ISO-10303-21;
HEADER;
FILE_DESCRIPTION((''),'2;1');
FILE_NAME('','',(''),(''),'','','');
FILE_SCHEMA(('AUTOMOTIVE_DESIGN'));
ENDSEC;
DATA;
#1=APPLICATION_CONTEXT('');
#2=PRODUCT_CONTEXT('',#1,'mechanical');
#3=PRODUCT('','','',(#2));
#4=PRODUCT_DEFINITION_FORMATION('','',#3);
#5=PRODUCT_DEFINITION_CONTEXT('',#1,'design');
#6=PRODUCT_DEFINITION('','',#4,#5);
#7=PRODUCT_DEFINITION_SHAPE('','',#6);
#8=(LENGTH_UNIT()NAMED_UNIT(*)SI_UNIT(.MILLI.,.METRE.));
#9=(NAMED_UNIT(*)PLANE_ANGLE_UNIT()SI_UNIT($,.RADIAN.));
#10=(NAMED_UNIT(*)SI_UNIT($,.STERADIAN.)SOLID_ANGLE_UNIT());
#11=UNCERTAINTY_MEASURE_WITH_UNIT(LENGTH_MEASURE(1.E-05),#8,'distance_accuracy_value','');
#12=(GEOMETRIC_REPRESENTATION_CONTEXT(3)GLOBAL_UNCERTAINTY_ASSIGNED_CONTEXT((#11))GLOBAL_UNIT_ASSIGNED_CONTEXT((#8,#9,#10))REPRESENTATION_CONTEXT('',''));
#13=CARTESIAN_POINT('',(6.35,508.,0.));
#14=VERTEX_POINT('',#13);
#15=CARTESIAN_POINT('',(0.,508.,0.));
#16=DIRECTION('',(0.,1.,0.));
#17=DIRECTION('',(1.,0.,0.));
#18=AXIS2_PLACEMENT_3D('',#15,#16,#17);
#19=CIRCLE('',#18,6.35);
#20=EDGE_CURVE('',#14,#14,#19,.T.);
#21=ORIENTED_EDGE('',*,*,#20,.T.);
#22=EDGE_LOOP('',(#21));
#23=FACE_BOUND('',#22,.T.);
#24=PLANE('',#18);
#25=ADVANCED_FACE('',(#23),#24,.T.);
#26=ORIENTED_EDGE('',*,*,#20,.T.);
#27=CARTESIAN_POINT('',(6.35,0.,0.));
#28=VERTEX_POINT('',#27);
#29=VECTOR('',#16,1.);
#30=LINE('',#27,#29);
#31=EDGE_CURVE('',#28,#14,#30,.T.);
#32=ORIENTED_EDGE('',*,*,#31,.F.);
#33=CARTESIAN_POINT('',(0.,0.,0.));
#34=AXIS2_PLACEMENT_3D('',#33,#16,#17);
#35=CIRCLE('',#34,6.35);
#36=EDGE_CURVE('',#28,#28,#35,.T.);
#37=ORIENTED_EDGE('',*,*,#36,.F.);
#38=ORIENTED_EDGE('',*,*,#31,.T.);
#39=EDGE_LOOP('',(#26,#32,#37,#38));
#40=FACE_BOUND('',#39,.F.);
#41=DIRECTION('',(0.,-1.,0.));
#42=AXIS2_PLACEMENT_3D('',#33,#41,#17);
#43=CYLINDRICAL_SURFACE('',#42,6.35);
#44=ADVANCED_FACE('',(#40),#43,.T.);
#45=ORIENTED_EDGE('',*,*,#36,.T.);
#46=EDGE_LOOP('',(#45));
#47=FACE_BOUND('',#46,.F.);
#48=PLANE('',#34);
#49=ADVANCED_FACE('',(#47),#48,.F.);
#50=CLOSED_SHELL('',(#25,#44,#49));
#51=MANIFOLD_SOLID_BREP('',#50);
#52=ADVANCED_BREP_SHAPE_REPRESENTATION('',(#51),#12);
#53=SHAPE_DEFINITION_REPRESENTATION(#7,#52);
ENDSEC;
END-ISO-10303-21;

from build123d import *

# Parameters (mm, degrees)
SKETCH1_R           = 6.35
BOSS_EXTRUDE1_DEPTH = 508


with BuildPart() as part:
    # Sketch1 → Boss-Extrude1 (new body)
    with BuildSketch(Plane(origin=(0, 0, 0), x_dir=(1, 0, 0), z_dir=(0, 1, 0))):
        Circle(SKETCH1_R)
    extrude(amount=BOSS_EXTRUDE1_DEPTH)


solid = part.part
